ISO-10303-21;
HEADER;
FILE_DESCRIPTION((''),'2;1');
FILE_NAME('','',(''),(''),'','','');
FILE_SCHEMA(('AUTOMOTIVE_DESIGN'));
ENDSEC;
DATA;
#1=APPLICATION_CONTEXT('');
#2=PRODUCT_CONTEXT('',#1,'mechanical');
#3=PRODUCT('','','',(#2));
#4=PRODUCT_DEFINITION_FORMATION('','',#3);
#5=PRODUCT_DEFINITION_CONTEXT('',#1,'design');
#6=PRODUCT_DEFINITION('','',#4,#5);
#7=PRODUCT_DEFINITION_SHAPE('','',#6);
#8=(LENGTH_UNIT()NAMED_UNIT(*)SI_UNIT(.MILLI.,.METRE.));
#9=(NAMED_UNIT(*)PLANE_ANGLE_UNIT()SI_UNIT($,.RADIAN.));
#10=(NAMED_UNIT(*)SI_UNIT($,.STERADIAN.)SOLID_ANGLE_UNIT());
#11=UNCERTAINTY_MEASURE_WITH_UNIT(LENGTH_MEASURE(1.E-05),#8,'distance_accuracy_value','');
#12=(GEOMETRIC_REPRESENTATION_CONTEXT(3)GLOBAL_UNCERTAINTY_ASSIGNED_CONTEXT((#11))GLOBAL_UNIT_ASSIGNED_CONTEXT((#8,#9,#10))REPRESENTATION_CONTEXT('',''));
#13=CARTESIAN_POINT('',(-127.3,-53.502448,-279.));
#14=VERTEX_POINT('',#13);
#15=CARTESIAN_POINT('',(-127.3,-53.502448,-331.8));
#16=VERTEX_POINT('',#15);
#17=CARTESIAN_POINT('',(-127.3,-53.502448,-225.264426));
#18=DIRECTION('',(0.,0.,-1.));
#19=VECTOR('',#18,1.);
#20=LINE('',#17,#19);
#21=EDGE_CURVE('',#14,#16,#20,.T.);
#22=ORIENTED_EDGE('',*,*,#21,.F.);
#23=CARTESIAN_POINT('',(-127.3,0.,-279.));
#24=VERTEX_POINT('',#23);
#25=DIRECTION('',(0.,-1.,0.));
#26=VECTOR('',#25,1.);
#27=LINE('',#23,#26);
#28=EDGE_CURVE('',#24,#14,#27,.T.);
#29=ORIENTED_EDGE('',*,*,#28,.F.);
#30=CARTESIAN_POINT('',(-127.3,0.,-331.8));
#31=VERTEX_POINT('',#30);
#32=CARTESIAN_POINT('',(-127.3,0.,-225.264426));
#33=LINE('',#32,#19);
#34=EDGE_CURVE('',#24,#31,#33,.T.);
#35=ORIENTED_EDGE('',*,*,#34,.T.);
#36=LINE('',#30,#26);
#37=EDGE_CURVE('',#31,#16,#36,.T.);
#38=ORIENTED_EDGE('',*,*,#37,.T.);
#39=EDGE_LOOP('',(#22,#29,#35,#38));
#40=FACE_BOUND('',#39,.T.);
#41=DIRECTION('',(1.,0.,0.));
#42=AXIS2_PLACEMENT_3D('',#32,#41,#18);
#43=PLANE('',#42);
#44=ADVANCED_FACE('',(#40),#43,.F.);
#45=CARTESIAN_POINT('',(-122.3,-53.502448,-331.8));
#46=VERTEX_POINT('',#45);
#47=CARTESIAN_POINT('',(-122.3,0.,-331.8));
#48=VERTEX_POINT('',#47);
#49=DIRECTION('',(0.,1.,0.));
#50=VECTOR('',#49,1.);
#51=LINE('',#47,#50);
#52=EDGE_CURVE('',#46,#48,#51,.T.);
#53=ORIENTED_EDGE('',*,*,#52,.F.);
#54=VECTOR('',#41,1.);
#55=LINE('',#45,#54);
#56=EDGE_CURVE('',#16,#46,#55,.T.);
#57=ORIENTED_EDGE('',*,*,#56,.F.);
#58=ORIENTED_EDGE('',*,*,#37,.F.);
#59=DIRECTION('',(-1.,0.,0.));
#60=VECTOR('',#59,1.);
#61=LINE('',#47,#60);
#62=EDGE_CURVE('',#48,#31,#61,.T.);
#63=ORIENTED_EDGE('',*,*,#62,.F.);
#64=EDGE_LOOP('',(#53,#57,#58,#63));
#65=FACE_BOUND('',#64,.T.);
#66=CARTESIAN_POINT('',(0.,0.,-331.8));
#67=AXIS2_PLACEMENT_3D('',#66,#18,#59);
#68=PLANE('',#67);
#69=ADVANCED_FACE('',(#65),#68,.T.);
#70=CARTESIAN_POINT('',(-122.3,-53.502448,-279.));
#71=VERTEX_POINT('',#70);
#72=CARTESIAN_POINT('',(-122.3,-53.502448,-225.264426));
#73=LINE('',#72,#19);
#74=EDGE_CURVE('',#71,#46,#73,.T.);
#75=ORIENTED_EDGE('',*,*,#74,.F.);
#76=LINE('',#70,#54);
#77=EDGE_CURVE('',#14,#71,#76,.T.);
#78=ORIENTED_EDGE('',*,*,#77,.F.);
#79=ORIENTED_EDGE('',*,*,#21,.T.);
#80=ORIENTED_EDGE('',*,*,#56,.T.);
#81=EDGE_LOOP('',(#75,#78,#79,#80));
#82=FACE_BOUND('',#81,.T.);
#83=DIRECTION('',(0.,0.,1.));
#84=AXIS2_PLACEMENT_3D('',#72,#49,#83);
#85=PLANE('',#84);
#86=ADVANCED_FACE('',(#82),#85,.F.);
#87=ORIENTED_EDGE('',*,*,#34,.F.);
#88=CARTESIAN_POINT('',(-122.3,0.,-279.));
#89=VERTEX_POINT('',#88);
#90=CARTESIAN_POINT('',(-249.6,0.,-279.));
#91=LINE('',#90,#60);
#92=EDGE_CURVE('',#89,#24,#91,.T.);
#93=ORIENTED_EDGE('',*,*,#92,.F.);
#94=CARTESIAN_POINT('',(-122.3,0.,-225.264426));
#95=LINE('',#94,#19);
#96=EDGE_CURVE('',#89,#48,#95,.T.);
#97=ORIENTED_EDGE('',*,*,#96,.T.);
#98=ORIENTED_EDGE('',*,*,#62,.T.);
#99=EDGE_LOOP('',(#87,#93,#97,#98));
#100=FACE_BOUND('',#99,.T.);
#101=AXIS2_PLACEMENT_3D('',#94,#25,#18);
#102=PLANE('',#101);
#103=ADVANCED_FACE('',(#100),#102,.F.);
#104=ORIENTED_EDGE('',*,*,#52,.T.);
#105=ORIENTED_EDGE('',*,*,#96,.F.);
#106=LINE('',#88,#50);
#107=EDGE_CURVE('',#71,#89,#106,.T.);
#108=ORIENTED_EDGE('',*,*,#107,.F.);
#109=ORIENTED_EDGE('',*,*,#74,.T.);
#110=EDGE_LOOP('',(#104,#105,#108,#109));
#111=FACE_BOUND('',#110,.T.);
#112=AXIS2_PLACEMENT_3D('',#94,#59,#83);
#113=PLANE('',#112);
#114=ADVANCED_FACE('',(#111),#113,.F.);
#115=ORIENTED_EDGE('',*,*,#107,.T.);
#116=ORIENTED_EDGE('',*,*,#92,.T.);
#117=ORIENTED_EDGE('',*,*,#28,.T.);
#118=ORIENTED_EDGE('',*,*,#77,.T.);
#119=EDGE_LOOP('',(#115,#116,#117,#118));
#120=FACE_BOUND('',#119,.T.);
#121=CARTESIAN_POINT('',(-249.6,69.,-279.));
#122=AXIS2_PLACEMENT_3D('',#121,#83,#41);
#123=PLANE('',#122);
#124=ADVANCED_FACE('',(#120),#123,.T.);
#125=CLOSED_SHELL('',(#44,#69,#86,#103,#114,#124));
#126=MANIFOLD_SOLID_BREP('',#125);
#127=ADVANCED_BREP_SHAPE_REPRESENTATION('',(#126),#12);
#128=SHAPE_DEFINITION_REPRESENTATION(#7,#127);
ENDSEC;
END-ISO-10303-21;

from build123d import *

# Parameters (mm, degrees)
SKETCH2_W           = 5
SKETCH2_H           = 53.502447605
BOSS_EXTRUDE1_DEPTH = 52.8


with BuildPart() as part:
    # Sketch2 → Boss-Extrude1 (new body)
    with BuildSketch(Plane.XY.offset(-331.8)):
        with Locations((-124.8, -26.751223803)):
            Rectangle(SKETCH2_W, SKETCH2_H)
    extrude(amount=BOSS_EXTRUDE1_DEPTH)


solid = part.part
